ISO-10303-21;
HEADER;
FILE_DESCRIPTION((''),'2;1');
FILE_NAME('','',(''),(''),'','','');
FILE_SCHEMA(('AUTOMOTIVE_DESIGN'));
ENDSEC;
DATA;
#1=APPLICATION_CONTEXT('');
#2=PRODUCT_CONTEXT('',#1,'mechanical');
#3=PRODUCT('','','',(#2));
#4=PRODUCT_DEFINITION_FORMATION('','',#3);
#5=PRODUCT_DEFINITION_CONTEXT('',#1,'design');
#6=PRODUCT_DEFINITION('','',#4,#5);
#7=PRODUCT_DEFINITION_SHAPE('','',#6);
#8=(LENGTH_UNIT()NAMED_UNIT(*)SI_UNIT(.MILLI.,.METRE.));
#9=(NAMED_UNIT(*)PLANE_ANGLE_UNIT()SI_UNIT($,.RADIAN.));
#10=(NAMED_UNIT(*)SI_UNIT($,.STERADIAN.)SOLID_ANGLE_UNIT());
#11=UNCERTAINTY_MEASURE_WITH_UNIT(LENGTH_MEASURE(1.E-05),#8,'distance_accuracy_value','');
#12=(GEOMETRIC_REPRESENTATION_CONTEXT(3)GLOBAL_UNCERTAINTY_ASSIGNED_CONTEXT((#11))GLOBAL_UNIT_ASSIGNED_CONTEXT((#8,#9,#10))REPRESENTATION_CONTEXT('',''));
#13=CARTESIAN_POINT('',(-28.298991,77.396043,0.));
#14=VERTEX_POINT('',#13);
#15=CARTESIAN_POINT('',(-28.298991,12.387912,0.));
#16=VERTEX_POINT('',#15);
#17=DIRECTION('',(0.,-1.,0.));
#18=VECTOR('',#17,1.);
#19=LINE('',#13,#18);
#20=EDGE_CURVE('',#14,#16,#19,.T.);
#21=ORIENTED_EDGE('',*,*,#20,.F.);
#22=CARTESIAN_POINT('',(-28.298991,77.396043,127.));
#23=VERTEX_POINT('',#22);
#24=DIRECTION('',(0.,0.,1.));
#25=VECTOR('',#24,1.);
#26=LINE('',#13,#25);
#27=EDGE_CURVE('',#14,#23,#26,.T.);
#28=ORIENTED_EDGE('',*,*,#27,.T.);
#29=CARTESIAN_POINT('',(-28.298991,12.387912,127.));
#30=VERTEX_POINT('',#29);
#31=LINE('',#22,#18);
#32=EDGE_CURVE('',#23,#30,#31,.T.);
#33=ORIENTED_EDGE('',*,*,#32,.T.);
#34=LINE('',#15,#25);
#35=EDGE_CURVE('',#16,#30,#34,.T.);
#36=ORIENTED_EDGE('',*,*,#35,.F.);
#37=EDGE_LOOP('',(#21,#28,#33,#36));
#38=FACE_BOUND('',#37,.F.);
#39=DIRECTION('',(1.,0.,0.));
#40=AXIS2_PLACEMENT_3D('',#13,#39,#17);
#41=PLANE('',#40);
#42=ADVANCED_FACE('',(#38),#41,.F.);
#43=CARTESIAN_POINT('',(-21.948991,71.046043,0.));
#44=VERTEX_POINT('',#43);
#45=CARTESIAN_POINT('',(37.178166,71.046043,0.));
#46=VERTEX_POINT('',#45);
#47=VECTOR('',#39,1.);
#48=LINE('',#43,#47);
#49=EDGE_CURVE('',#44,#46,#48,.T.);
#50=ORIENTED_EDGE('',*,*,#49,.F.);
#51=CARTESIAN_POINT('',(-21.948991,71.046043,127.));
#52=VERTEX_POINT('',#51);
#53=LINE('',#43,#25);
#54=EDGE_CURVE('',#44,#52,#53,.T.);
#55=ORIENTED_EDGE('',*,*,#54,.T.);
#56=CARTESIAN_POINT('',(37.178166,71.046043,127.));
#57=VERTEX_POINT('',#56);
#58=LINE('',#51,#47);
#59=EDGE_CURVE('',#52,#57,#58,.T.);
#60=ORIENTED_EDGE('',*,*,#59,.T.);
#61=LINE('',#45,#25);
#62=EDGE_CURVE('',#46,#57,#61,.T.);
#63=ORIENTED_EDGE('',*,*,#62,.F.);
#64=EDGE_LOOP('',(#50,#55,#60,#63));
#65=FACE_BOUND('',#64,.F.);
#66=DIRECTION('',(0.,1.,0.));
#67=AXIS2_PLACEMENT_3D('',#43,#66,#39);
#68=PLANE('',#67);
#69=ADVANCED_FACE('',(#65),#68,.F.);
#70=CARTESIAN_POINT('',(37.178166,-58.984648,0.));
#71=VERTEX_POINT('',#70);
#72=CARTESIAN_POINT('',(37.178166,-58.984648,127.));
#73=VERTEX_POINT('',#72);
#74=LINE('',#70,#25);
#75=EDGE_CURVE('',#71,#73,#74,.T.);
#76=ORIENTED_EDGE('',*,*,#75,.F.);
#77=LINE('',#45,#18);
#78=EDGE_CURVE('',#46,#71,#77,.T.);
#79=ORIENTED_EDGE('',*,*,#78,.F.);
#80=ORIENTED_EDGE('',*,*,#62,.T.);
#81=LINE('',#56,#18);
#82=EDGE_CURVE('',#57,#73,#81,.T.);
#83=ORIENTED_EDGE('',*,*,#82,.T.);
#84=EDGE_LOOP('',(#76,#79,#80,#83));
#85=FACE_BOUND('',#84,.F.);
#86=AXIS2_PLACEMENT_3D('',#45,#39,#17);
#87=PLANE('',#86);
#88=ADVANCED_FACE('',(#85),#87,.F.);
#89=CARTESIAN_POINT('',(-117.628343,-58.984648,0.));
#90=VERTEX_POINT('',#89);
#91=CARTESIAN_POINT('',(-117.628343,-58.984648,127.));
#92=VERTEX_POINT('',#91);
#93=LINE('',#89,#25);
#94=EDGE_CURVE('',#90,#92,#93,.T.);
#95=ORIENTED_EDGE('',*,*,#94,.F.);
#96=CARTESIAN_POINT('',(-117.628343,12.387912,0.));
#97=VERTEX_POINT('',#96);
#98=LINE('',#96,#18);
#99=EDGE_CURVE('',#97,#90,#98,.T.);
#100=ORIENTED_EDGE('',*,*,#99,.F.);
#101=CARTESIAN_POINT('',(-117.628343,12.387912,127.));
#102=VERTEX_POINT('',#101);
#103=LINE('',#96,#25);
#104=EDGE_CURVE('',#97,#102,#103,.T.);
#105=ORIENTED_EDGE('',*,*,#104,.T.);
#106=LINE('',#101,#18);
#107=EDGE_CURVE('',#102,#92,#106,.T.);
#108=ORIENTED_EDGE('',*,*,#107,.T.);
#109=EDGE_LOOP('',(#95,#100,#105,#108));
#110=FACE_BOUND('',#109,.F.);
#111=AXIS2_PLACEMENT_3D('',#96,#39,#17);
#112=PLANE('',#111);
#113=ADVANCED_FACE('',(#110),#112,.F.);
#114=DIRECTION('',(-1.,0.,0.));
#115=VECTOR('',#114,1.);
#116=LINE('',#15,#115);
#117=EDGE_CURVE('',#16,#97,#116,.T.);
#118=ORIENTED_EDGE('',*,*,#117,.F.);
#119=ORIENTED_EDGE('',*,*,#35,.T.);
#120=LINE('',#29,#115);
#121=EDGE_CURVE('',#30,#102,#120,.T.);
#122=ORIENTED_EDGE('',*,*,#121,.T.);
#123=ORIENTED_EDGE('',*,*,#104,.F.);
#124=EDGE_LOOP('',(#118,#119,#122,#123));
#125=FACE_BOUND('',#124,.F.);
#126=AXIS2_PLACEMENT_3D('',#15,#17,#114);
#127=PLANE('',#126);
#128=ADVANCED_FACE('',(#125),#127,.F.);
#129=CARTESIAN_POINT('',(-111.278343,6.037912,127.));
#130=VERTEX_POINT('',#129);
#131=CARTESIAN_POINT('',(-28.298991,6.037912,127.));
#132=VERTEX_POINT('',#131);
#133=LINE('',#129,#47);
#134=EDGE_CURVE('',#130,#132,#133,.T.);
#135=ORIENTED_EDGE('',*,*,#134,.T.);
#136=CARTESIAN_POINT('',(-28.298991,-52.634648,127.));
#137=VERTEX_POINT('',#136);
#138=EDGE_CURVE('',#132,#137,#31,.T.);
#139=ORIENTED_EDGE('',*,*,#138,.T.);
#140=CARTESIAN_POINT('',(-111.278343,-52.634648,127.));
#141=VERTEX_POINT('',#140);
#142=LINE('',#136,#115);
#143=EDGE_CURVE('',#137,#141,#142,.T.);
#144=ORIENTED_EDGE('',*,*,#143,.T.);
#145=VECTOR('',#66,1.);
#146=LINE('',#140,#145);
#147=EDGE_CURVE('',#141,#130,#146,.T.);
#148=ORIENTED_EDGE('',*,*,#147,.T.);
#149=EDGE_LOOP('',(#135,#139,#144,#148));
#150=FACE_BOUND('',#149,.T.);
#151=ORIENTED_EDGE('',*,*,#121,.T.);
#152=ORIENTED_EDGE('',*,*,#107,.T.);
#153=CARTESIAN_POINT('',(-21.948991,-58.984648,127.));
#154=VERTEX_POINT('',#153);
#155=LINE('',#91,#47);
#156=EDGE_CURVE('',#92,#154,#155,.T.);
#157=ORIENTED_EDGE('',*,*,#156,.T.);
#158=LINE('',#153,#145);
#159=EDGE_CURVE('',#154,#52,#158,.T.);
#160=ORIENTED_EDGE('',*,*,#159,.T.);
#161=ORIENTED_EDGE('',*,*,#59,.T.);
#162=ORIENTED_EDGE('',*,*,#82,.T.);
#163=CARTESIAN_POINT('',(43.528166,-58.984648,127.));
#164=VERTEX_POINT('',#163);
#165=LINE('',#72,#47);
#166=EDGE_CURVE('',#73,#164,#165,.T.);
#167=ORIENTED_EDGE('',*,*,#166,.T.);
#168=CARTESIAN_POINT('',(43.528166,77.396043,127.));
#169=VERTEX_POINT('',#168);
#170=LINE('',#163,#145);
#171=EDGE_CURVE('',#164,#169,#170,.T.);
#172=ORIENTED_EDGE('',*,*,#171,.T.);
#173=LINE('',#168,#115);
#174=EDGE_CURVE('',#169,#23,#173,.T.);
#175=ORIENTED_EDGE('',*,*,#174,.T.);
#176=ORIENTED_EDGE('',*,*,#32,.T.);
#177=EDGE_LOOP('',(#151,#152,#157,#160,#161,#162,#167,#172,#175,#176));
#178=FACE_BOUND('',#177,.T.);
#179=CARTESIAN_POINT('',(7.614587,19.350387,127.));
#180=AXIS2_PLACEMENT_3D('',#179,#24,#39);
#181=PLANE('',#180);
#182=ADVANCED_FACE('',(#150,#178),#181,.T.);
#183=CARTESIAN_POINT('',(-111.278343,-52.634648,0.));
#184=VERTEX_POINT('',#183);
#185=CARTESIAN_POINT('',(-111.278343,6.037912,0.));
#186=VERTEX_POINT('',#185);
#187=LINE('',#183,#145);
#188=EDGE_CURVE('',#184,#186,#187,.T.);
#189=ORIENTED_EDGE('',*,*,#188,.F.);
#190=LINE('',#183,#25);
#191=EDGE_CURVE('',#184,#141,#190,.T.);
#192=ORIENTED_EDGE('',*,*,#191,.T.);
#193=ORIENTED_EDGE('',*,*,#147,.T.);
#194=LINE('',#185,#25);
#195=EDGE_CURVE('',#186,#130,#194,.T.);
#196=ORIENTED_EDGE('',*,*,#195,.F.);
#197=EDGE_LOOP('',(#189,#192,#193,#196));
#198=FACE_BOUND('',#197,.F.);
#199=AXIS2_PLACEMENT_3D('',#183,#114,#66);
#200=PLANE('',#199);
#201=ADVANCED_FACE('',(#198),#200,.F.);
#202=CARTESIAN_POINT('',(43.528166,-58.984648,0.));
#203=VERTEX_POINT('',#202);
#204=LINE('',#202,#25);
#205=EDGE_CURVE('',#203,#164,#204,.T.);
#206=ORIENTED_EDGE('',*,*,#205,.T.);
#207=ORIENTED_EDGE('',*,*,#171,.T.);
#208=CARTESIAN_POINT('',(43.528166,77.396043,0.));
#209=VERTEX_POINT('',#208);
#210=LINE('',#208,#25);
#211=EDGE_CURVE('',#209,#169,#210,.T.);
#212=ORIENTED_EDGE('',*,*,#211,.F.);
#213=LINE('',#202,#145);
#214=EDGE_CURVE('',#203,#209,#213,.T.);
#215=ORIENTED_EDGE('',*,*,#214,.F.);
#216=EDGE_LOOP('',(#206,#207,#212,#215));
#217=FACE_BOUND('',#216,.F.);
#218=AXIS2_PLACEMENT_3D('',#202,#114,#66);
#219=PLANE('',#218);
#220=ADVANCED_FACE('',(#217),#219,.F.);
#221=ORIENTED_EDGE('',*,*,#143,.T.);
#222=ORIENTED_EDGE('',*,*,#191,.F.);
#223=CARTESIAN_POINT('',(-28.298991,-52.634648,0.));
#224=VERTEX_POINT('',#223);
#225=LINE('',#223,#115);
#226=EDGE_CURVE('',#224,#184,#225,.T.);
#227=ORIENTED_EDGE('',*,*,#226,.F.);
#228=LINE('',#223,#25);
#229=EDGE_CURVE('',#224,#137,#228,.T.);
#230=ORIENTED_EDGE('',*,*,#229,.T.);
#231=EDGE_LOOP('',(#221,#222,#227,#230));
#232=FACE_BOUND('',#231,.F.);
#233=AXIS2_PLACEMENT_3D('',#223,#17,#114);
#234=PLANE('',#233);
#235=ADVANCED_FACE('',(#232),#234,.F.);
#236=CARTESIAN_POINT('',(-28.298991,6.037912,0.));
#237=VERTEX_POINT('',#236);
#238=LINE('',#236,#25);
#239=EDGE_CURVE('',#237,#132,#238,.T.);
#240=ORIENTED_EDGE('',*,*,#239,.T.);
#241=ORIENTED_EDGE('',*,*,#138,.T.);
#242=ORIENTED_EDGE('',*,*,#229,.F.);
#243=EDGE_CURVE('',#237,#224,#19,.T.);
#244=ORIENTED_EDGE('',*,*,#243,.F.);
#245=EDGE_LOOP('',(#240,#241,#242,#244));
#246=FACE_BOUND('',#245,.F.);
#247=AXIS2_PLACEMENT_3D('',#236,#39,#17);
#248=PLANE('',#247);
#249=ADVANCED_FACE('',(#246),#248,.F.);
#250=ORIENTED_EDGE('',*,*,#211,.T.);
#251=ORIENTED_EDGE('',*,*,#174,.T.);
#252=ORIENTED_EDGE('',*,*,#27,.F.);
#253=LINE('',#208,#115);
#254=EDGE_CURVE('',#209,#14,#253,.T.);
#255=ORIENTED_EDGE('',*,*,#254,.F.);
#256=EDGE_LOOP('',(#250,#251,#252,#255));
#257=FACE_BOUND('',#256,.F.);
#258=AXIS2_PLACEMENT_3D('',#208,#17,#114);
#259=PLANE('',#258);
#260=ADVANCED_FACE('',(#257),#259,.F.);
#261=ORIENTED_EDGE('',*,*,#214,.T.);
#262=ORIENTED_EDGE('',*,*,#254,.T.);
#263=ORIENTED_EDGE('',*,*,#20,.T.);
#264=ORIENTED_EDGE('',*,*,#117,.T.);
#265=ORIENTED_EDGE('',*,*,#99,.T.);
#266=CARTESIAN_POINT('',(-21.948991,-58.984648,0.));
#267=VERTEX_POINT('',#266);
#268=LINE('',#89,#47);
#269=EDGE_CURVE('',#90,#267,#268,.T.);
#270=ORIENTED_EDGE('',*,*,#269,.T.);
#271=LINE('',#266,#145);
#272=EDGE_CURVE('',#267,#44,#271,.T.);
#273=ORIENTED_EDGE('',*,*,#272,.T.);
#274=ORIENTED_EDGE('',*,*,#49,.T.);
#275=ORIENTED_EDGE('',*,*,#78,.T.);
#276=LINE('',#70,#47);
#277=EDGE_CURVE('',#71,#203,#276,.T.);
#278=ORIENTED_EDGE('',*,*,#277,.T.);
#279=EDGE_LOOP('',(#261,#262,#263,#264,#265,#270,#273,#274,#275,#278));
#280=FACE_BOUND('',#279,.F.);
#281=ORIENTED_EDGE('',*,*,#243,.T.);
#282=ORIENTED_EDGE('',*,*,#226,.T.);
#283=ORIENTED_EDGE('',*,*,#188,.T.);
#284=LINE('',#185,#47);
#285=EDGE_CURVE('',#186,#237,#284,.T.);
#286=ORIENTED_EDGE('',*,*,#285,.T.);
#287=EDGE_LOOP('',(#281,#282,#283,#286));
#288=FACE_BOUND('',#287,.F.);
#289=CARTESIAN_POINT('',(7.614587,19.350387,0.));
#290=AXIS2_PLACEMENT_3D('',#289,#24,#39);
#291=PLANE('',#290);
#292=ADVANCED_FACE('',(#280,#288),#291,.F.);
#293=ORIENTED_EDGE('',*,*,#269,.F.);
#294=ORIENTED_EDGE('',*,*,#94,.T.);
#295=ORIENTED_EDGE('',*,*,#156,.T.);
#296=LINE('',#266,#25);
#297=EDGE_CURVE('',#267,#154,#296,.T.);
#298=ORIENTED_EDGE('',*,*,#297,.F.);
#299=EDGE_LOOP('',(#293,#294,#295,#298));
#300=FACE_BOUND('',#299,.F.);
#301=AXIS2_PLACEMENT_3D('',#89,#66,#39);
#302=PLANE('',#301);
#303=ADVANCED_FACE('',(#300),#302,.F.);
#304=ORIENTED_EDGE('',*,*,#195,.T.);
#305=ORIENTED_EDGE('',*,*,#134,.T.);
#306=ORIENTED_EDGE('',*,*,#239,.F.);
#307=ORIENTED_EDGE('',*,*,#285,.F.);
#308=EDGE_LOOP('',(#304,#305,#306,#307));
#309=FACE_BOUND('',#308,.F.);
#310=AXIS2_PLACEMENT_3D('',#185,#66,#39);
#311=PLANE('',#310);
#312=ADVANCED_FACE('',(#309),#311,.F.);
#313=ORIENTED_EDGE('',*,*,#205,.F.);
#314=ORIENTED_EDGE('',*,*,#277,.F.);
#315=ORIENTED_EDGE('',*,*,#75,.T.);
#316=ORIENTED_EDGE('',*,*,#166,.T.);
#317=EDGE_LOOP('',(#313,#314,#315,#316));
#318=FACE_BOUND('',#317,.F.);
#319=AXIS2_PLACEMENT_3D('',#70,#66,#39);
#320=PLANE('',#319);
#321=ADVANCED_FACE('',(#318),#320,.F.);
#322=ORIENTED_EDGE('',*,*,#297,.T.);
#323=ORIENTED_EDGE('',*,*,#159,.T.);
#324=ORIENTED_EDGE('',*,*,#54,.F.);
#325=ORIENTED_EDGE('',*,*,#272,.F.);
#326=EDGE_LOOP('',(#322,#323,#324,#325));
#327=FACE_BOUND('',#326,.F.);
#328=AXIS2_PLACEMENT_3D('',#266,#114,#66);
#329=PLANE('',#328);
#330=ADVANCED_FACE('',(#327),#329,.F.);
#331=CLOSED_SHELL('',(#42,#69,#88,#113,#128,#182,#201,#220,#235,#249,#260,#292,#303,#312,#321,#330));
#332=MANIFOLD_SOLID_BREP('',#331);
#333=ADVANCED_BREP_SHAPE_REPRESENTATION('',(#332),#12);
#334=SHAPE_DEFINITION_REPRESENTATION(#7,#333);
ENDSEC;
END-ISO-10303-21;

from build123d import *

# Parameters (mm, degrees)
F1_DEPTH = 127


with BuildPart() as f1:
    # F0 (on Top) → F1 (new body)
    with BuildSketch(Plane.XY):
        Polygon((-28.298991, 77.396043), (-28.298991, 12.387912), (-28.298991, 6.037912), (-28.298991, -52.634648), (-28.298991, -58.984648), (-21.948991, -58.984648), (-21.948991, 71.046043), (37.178166, 71.046043), (37.178166, -58.984648), (43.528166, -58.984648), (43.528166, 77.396043), align=None)
        Polygon((-28.298991, 12.387912), (-117.628343, 12.387912), (-117.628343, -58.984648), (-28.298991, -58.984648), (-28.298991, -52.634648), (-111.278343, -52.634648), (-111.278343, 6.037912), (-28.298991, 6.037912), align=None)
    extrude(amount=F1_DEPTH)


solid = f1.part
